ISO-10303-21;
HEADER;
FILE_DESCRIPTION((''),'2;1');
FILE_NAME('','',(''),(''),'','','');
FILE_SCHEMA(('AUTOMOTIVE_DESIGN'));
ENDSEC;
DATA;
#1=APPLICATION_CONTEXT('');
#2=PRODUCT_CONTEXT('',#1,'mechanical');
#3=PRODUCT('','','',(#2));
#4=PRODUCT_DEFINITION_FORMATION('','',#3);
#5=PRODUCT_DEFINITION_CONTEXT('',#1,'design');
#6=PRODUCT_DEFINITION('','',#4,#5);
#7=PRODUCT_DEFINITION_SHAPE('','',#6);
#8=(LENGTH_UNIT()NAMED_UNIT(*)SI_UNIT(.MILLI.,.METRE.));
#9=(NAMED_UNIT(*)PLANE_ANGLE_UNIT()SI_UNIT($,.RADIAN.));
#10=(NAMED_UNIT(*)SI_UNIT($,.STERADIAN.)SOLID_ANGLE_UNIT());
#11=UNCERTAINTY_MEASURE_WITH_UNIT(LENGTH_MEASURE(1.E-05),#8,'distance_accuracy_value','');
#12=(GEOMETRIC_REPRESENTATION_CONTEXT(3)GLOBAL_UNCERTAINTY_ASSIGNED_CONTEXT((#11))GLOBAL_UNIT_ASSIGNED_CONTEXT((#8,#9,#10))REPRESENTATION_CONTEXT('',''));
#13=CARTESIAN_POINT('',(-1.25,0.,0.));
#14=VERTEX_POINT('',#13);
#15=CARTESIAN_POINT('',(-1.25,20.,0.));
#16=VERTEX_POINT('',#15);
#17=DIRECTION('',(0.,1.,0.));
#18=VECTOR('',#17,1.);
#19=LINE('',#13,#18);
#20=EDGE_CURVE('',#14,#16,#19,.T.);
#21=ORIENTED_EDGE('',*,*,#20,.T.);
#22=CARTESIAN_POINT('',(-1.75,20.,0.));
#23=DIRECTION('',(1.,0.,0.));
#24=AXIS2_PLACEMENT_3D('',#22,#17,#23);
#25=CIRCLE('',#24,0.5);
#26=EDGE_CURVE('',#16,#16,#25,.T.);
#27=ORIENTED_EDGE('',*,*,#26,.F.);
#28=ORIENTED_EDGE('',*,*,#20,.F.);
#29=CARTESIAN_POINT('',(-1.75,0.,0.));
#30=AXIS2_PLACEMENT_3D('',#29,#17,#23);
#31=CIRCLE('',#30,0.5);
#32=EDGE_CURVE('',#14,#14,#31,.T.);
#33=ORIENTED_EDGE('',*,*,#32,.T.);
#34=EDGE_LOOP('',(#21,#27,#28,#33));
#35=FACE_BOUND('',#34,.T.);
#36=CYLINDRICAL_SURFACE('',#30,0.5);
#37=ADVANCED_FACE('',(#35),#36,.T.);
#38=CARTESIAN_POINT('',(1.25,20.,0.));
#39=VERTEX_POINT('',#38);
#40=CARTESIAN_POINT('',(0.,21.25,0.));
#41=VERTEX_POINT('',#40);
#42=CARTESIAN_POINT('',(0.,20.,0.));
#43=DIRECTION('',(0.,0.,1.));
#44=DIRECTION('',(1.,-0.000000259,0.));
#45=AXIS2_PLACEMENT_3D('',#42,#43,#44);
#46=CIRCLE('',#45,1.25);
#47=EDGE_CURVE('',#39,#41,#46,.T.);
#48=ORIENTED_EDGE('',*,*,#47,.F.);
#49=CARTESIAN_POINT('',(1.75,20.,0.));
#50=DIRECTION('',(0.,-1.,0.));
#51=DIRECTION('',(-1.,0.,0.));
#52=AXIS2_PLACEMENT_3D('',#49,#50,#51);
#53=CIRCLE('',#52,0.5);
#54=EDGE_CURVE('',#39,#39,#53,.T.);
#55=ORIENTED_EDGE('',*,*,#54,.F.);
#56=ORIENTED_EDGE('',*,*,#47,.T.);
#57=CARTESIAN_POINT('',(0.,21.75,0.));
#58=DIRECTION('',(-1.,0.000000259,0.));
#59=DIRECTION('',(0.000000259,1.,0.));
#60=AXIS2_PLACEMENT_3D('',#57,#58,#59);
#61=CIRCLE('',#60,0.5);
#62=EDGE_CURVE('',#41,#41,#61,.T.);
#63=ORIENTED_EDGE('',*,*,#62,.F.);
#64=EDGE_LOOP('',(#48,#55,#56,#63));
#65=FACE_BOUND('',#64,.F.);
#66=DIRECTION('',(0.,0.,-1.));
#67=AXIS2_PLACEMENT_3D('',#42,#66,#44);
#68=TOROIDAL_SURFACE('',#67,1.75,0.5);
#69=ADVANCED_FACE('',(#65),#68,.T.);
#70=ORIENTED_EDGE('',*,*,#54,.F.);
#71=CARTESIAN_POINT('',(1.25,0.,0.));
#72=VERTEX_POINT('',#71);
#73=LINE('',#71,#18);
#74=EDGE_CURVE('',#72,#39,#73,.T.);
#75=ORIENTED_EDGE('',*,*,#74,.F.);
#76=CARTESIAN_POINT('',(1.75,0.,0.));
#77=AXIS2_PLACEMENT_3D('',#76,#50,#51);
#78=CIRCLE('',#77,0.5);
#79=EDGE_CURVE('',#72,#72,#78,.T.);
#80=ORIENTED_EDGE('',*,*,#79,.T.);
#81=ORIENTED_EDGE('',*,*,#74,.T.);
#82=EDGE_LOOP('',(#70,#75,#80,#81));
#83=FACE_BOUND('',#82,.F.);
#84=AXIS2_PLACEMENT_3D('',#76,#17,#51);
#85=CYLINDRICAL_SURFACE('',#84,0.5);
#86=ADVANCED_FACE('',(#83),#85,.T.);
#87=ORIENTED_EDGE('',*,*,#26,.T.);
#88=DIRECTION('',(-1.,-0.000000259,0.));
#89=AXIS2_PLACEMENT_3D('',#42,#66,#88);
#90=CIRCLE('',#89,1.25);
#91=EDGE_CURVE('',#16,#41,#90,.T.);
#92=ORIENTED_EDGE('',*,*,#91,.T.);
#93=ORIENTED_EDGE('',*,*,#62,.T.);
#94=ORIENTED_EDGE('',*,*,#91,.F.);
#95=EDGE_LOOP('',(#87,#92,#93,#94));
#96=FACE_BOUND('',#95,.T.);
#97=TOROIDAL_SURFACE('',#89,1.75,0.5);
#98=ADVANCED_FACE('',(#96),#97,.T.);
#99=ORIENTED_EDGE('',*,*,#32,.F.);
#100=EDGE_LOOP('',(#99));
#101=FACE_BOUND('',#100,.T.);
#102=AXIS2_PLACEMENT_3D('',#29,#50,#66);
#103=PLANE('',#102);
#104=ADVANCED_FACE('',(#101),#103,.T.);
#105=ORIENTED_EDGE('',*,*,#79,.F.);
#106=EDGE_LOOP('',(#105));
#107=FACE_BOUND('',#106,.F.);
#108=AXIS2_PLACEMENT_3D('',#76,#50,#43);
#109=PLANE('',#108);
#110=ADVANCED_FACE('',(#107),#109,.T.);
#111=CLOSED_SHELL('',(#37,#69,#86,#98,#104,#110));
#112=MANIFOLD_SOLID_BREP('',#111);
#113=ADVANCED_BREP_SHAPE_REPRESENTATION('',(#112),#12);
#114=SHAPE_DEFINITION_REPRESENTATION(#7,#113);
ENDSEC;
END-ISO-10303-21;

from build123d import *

# Parameters (mm, degrees)
SKETCH001_R = 0.5


with BuildPart() as part:
    # AdditivePipe: sweep along a path in Sketch
    with BuildLine(Plane.XY) as additivepipe_path:
        Line((-1.75, 0), (-1.75, 20))
        ThreePointArc((-1.75, 20), (-1.237437, 21.237437), (0, 21.75))
    # Sketch001 (on XZ_Plane of Origin) → AdditivePipe (sweep)
    with BuildSketch(Plane.XZ):
        with Locations((-1.75, 0)):
            Circle(SKETCH001_R)
    sweep(path=additivepipe_path.line)

    # Mirrored: part across YZ


with BuildPart() as part_1:
    add(part.part)
    add(part.part.mirror(Plane.YZ))


solid = part_1.part
